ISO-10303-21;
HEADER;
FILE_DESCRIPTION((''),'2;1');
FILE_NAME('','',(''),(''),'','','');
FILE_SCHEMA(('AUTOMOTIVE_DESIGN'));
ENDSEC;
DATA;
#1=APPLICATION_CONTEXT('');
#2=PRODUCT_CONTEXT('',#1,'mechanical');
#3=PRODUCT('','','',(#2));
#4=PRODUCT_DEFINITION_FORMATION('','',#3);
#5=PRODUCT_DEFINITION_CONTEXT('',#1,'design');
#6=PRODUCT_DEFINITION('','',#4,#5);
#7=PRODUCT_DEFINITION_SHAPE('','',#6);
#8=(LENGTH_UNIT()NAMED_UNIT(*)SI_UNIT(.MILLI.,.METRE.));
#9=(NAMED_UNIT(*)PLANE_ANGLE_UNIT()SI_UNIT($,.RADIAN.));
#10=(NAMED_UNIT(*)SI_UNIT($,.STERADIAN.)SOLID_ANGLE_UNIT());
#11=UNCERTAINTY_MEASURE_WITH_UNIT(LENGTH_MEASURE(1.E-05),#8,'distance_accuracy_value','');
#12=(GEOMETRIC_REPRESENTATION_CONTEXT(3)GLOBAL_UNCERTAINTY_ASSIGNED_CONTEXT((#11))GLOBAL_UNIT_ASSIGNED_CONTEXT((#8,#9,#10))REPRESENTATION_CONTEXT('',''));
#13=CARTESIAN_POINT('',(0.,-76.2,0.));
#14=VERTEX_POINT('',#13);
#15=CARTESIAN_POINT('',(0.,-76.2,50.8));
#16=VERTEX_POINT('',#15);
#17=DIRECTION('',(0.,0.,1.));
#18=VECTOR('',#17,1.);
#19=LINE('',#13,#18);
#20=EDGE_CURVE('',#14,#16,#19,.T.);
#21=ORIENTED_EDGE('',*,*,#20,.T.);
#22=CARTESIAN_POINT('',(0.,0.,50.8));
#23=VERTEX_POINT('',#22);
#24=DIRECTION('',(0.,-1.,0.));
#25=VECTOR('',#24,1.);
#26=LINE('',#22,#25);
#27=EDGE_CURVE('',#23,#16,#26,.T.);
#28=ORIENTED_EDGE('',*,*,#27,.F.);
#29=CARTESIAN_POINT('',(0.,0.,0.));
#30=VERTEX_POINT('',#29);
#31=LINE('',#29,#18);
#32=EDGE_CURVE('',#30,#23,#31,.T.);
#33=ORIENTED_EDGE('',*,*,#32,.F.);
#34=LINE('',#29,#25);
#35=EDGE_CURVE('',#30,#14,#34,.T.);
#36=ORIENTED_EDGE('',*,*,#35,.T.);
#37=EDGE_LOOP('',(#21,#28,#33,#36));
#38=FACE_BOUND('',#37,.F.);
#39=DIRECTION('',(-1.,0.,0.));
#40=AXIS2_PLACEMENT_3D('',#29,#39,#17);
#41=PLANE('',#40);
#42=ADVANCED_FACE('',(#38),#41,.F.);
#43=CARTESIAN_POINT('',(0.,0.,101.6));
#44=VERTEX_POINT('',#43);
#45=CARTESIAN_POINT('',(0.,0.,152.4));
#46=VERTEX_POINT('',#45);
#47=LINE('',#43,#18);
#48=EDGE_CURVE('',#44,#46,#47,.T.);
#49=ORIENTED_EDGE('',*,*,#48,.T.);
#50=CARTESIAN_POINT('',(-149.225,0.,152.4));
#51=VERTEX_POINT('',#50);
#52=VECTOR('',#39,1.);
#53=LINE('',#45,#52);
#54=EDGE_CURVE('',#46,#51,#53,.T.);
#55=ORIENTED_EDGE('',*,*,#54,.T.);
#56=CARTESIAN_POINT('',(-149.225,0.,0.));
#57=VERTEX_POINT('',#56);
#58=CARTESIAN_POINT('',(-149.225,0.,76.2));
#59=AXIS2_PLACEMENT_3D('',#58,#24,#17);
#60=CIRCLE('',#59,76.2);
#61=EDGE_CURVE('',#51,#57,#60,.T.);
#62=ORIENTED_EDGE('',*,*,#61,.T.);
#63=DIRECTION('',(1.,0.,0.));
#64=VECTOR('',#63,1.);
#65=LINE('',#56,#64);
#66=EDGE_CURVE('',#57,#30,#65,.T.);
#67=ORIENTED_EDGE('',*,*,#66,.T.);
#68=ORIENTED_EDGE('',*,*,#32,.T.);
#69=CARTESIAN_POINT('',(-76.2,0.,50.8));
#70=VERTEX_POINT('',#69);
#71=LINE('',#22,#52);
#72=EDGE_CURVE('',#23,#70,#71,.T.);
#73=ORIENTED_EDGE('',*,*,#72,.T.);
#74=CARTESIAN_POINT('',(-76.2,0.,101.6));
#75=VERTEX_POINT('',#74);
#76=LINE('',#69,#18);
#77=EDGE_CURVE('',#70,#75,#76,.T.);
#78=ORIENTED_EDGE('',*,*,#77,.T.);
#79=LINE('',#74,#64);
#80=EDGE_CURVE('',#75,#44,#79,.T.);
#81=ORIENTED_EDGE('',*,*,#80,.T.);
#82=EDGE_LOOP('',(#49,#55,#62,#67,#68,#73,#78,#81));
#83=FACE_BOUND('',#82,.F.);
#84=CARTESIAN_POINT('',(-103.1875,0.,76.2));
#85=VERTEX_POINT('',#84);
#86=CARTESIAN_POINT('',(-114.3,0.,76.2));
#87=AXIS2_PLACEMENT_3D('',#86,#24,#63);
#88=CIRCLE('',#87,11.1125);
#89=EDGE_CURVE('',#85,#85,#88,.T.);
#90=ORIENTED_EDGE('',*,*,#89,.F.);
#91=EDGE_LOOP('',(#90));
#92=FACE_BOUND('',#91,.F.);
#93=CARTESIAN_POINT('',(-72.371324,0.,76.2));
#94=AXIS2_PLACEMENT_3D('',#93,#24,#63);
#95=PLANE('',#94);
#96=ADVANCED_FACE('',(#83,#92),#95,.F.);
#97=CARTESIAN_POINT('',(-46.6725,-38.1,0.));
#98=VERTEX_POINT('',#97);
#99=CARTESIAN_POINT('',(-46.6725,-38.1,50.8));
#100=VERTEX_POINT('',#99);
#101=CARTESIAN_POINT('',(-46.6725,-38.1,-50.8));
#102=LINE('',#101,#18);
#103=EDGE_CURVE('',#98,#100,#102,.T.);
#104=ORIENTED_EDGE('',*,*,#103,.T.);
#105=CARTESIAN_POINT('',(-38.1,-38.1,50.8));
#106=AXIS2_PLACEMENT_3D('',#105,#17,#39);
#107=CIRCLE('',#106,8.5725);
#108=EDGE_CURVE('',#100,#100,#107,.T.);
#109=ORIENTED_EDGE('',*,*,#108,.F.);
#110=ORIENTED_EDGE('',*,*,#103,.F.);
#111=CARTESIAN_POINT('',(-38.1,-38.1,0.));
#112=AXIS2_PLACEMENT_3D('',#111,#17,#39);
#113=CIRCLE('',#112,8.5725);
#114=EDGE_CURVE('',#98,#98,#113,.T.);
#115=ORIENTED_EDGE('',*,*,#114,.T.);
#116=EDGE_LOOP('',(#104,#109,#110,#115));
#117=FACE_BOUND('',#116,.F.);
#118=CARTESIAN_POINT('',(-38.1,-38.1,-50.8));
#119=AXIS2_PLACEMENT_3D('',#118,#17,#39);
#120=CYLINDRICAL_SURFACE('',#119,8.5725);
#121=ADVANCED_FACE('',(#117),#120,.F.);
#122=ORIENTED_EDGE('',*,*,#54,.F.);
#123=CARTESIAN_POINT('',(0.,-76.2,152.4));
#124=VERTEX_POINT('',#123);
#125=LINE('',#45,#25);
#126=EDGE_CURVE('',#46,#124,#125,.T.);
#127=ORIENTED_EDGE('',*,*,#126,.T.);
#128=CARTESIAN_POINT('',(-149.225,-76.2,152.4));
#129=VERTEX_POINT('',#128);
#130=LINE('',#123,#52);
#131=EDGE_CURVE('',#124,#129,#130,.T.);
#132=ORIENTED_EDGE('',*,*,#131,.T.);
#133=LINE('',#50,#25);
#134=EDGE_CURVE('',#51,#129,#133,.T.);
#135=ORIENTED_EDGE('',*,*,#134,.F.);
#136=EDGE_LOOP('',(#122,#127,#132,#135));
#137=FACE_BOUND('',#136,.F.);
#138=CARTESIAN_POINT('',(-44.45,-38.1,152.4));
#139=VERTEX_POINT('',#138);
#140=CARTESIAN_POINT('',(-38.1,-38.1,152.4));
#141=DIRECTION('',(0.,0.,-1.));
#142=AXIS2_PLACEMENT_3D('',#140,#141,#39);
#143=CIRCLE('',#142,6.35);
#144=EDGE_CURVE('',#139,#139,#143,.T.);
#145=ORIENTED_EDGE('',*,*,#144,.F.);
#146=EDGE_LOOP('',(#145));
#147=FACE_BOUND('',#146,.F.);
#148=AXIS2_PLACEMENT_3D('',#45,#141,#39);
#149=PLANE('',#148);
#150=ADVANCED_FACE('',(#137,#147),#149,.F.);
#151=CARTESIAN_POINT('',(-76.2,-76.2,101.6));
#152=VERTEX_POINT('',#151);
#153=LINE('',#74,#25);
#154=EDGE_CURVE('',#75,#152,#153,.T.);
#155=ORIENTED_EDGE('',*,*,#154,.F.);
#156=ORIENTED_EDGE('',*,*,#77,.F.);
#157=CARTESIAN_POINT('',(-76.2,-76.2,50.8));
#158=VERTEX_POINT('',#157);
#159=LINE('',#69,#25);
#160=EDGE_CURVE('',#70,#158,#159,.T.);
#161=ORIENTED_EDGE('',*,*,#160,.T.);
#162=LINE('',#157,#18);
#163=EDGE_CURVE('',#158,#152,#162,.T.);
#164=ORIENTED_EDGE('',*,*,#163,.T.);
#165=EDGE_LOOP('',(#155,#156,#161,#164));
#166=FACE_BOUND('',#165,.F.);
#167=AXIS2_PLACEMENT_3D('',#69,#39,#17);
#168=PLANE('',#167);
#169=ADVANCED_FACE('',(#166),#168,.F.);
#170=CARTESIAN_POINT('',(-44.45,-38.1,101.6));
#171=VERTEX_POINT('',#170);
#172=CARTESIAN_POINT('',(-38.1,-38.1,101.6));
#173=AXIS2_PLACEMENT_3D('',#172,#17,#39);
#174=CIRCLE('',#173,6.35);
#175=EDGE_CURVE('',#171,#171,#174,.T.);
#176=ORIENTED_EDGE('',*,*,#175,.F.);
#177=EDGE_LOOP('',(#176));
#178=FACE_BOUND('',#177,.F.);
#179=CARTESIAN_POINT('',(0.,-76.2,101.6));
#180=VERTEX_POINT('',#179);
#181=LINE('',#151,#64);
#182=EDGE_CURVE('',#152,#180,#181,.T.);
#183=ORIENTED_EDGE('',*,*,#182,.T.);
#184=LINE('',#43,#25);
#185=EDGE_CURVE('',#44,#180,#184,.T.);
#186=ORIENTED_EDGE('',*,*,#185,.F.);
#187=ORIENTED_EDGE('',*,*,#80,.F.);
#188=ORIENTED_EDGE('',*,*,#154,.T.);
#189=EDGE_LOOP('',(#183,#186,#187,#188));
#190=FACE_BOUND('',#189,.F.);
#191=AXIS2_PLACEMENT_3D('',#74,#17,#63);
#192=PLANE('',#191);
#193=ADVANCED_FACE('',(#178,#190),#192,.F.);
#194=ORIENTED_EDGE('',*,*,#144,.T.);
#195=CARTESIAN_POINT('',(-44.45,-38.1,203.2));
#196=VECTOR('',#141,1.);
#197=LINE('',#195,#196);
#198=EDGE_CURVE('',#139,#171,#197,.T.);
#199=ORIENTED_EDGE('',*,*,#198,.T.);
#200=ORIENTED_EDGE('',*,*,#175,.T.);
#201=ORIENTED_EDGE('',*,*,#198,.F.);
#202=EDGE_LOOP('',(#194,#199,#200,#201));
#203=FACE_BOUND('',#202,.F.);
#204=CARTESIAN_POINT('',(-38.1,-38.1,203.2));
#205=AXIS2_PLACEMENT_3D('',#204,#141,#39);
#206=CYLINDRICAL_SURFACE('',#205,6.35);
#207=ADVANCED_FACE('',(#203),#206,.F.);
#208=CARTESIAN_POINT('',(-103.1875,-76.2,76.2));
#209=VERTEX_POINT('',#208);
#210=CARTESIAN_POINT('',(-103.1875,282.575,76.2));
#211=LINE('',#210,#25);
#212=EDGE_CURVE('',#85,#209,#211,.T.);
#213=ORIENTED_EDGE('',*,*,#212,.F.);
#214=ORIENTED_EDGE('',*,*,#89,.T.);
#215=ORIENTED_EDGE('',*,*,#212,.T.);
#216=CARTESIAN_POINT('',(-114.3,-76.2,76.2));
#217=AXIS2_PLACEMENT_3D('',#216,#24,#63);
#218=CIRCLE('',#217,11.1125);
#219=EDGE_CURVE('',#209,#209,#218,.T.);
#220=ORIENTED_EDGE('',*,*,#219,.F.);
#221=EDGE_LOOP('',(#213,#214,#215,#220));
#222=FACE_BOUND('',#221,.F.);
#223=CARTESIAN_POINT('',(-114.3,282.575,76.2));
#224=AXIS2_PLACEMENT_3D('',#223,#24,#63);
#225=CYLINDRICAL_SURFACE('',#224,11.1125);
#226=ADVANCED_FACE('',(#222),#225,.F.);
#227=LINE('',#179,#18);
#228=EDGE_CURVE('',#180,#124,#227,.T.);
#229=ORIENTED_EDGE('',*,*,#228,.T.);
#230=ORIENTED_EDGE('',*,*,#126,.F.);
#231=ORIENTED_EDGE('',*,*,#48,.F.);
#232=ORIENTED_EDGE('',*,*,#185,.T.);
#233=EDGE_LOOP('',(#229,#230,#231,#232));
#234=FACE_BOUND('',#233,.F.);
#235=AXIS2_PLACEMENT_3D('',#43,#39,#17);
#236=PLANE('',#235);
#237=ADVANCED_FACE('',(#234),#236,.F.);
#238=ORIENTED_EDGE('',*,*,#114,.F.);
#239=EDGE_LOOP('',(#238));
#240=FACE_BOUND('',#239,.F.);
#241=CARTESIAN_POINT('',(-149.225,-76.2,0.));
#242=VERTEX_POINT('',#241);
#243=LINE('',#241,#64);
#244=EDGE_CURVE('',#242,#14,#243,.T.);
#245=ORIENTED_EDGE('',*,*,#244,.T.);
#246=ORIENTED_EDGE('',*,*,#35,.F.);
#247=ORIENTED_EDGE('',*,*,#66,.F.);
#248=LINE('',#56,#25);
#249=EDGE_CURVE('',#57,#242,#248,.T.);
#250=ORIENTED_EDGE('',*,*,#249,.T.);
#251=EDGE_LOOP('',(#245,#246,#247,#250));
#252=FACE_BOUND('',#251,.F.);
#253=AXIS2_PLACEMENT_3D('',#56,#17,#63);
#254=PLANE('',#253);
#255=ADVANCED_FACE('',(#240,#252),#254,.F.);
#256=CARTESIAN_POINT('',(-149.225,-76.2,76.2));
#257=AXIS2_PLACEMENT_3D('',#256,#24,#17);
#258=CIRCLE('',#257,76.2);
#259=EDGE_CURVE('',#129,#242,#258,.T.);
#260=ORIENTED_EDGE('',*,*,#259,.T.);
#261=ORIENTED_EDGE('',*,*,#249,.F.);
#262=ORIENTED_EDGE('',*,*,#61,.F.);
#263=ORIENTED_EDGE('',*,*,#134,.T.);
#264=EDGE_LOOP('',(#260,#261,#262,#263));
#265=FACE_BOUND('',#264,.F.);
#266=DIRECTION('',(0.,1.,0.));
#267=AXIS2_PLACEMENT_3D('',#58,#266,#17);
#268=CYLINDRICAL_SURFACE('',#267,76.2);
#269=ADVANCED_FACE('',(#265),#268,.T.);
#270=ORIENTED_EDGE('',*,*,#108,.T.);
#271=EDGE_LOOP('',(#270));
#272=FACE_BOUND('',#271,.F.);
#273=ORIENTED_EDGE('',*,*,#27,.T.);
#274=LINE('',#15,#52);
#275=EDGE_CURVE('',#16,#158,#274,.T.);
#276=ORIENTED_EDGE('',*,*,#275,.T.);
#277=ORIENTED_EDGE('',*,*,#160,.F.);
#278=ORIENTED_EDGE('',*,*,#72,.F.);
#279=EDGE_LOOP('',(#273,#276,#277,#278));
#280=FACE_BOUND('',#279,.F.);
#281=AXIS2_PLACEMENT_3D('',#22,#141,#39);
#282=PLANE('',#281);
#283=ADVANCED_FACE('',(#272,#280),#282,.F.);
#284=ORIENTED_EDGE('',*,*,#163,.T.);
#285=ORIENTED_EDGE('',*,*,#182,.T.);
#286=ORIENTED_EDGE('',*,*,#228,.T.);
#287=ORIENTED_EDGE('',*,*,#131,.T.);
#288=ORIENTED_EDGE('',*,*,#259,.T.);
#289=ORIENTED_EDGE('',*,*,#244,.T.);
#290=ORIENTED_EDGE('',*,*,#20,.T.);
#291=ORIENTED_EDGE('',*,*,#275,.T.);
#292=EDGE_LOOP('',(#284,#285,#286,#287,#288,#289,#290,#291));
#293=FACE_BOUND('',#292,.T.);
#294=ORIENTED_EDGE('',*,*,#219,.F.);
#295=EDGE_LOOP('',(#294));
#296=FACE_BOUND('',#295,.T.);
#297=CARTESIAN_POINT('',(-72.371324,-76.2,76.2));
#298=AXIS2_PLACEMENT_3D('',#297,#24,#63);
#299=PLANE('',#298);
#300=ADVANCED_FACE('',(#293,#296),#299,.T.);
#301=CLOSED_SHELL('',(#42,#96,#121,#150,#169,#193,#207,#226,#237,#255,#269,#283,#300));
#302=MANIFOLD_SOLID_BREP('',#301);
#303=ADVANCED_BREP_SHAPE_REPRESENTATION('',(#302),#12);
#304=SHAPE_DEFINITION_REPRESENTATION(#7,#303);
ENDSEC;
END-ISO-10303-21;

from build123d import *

# Parameters (mm, degrees)
F1_DEPTH = 76.2
F3_D     = 17.145
F3_DEPTH = 50.8
F3_TIP   = 5.1508776566
F5_D     = 12.7
F5_DEPTH = 50.8
F5_TIP   = 3.8154649308
F7_D     = 22.225


with BuildPart() as f1:
    # F0 (on Front) → F1 (new body)
    with BuildSketch(Plane.XZ):
        Polygon((-149.225, 0), (0, 0), (0, 50.8), (-76.2, 50.8), (-76.2, 101.6), (0, 101.6), (0, 152.4), (-149.225, 152.4), align=None)
        with BuildLine():
            ThreePointArc((-149.225, 152.4), (-225.425, 76.2), (-149.225, 0))
            Line((-149.225, 0), (-149.225, 152.4))
        make_face()
    extrude(amount=F1_DEPTH)

    # F3
    with Locations(Plane(origin=(0, 0, 0), x_dir=(1, 0, 0), z_dir=(0, 0, -1))):
        with Locations((-38.1, 38.1)):
            Hole(F3_D / 2, depth=F3_DEPTH)
            with Locations((0, 0, -(F3_DEPTH + F3_TIP / 2))):  # 118° drill point
                Cone(0, F3_D / 2, F3_TIP, mode=Mode.SUBTRACT)

    # F5
    with Locations(Plane.XY.offset(152.4)):
        with Locations((-38.1, -38.1)):
            Hole(F5_D / 2, depth=F5_DEPTH)
            with Locations((0, 0, -(F5_DEPTH + F5_TIP / 2))):  # 118° drill point
                Cone(0, F5_D / 2, F5_TIP, mode=Mode.SUBTRACT)

    # F7 (through all)
    with Locations(Plane(origin=(0, 0, 0), x_dir=(-1, 0, 0), z_dir=(0, 1, 0))):
        with Locations((114.3, 76.2)):
            Hole(F7_D / 2)


solid = f1.part
